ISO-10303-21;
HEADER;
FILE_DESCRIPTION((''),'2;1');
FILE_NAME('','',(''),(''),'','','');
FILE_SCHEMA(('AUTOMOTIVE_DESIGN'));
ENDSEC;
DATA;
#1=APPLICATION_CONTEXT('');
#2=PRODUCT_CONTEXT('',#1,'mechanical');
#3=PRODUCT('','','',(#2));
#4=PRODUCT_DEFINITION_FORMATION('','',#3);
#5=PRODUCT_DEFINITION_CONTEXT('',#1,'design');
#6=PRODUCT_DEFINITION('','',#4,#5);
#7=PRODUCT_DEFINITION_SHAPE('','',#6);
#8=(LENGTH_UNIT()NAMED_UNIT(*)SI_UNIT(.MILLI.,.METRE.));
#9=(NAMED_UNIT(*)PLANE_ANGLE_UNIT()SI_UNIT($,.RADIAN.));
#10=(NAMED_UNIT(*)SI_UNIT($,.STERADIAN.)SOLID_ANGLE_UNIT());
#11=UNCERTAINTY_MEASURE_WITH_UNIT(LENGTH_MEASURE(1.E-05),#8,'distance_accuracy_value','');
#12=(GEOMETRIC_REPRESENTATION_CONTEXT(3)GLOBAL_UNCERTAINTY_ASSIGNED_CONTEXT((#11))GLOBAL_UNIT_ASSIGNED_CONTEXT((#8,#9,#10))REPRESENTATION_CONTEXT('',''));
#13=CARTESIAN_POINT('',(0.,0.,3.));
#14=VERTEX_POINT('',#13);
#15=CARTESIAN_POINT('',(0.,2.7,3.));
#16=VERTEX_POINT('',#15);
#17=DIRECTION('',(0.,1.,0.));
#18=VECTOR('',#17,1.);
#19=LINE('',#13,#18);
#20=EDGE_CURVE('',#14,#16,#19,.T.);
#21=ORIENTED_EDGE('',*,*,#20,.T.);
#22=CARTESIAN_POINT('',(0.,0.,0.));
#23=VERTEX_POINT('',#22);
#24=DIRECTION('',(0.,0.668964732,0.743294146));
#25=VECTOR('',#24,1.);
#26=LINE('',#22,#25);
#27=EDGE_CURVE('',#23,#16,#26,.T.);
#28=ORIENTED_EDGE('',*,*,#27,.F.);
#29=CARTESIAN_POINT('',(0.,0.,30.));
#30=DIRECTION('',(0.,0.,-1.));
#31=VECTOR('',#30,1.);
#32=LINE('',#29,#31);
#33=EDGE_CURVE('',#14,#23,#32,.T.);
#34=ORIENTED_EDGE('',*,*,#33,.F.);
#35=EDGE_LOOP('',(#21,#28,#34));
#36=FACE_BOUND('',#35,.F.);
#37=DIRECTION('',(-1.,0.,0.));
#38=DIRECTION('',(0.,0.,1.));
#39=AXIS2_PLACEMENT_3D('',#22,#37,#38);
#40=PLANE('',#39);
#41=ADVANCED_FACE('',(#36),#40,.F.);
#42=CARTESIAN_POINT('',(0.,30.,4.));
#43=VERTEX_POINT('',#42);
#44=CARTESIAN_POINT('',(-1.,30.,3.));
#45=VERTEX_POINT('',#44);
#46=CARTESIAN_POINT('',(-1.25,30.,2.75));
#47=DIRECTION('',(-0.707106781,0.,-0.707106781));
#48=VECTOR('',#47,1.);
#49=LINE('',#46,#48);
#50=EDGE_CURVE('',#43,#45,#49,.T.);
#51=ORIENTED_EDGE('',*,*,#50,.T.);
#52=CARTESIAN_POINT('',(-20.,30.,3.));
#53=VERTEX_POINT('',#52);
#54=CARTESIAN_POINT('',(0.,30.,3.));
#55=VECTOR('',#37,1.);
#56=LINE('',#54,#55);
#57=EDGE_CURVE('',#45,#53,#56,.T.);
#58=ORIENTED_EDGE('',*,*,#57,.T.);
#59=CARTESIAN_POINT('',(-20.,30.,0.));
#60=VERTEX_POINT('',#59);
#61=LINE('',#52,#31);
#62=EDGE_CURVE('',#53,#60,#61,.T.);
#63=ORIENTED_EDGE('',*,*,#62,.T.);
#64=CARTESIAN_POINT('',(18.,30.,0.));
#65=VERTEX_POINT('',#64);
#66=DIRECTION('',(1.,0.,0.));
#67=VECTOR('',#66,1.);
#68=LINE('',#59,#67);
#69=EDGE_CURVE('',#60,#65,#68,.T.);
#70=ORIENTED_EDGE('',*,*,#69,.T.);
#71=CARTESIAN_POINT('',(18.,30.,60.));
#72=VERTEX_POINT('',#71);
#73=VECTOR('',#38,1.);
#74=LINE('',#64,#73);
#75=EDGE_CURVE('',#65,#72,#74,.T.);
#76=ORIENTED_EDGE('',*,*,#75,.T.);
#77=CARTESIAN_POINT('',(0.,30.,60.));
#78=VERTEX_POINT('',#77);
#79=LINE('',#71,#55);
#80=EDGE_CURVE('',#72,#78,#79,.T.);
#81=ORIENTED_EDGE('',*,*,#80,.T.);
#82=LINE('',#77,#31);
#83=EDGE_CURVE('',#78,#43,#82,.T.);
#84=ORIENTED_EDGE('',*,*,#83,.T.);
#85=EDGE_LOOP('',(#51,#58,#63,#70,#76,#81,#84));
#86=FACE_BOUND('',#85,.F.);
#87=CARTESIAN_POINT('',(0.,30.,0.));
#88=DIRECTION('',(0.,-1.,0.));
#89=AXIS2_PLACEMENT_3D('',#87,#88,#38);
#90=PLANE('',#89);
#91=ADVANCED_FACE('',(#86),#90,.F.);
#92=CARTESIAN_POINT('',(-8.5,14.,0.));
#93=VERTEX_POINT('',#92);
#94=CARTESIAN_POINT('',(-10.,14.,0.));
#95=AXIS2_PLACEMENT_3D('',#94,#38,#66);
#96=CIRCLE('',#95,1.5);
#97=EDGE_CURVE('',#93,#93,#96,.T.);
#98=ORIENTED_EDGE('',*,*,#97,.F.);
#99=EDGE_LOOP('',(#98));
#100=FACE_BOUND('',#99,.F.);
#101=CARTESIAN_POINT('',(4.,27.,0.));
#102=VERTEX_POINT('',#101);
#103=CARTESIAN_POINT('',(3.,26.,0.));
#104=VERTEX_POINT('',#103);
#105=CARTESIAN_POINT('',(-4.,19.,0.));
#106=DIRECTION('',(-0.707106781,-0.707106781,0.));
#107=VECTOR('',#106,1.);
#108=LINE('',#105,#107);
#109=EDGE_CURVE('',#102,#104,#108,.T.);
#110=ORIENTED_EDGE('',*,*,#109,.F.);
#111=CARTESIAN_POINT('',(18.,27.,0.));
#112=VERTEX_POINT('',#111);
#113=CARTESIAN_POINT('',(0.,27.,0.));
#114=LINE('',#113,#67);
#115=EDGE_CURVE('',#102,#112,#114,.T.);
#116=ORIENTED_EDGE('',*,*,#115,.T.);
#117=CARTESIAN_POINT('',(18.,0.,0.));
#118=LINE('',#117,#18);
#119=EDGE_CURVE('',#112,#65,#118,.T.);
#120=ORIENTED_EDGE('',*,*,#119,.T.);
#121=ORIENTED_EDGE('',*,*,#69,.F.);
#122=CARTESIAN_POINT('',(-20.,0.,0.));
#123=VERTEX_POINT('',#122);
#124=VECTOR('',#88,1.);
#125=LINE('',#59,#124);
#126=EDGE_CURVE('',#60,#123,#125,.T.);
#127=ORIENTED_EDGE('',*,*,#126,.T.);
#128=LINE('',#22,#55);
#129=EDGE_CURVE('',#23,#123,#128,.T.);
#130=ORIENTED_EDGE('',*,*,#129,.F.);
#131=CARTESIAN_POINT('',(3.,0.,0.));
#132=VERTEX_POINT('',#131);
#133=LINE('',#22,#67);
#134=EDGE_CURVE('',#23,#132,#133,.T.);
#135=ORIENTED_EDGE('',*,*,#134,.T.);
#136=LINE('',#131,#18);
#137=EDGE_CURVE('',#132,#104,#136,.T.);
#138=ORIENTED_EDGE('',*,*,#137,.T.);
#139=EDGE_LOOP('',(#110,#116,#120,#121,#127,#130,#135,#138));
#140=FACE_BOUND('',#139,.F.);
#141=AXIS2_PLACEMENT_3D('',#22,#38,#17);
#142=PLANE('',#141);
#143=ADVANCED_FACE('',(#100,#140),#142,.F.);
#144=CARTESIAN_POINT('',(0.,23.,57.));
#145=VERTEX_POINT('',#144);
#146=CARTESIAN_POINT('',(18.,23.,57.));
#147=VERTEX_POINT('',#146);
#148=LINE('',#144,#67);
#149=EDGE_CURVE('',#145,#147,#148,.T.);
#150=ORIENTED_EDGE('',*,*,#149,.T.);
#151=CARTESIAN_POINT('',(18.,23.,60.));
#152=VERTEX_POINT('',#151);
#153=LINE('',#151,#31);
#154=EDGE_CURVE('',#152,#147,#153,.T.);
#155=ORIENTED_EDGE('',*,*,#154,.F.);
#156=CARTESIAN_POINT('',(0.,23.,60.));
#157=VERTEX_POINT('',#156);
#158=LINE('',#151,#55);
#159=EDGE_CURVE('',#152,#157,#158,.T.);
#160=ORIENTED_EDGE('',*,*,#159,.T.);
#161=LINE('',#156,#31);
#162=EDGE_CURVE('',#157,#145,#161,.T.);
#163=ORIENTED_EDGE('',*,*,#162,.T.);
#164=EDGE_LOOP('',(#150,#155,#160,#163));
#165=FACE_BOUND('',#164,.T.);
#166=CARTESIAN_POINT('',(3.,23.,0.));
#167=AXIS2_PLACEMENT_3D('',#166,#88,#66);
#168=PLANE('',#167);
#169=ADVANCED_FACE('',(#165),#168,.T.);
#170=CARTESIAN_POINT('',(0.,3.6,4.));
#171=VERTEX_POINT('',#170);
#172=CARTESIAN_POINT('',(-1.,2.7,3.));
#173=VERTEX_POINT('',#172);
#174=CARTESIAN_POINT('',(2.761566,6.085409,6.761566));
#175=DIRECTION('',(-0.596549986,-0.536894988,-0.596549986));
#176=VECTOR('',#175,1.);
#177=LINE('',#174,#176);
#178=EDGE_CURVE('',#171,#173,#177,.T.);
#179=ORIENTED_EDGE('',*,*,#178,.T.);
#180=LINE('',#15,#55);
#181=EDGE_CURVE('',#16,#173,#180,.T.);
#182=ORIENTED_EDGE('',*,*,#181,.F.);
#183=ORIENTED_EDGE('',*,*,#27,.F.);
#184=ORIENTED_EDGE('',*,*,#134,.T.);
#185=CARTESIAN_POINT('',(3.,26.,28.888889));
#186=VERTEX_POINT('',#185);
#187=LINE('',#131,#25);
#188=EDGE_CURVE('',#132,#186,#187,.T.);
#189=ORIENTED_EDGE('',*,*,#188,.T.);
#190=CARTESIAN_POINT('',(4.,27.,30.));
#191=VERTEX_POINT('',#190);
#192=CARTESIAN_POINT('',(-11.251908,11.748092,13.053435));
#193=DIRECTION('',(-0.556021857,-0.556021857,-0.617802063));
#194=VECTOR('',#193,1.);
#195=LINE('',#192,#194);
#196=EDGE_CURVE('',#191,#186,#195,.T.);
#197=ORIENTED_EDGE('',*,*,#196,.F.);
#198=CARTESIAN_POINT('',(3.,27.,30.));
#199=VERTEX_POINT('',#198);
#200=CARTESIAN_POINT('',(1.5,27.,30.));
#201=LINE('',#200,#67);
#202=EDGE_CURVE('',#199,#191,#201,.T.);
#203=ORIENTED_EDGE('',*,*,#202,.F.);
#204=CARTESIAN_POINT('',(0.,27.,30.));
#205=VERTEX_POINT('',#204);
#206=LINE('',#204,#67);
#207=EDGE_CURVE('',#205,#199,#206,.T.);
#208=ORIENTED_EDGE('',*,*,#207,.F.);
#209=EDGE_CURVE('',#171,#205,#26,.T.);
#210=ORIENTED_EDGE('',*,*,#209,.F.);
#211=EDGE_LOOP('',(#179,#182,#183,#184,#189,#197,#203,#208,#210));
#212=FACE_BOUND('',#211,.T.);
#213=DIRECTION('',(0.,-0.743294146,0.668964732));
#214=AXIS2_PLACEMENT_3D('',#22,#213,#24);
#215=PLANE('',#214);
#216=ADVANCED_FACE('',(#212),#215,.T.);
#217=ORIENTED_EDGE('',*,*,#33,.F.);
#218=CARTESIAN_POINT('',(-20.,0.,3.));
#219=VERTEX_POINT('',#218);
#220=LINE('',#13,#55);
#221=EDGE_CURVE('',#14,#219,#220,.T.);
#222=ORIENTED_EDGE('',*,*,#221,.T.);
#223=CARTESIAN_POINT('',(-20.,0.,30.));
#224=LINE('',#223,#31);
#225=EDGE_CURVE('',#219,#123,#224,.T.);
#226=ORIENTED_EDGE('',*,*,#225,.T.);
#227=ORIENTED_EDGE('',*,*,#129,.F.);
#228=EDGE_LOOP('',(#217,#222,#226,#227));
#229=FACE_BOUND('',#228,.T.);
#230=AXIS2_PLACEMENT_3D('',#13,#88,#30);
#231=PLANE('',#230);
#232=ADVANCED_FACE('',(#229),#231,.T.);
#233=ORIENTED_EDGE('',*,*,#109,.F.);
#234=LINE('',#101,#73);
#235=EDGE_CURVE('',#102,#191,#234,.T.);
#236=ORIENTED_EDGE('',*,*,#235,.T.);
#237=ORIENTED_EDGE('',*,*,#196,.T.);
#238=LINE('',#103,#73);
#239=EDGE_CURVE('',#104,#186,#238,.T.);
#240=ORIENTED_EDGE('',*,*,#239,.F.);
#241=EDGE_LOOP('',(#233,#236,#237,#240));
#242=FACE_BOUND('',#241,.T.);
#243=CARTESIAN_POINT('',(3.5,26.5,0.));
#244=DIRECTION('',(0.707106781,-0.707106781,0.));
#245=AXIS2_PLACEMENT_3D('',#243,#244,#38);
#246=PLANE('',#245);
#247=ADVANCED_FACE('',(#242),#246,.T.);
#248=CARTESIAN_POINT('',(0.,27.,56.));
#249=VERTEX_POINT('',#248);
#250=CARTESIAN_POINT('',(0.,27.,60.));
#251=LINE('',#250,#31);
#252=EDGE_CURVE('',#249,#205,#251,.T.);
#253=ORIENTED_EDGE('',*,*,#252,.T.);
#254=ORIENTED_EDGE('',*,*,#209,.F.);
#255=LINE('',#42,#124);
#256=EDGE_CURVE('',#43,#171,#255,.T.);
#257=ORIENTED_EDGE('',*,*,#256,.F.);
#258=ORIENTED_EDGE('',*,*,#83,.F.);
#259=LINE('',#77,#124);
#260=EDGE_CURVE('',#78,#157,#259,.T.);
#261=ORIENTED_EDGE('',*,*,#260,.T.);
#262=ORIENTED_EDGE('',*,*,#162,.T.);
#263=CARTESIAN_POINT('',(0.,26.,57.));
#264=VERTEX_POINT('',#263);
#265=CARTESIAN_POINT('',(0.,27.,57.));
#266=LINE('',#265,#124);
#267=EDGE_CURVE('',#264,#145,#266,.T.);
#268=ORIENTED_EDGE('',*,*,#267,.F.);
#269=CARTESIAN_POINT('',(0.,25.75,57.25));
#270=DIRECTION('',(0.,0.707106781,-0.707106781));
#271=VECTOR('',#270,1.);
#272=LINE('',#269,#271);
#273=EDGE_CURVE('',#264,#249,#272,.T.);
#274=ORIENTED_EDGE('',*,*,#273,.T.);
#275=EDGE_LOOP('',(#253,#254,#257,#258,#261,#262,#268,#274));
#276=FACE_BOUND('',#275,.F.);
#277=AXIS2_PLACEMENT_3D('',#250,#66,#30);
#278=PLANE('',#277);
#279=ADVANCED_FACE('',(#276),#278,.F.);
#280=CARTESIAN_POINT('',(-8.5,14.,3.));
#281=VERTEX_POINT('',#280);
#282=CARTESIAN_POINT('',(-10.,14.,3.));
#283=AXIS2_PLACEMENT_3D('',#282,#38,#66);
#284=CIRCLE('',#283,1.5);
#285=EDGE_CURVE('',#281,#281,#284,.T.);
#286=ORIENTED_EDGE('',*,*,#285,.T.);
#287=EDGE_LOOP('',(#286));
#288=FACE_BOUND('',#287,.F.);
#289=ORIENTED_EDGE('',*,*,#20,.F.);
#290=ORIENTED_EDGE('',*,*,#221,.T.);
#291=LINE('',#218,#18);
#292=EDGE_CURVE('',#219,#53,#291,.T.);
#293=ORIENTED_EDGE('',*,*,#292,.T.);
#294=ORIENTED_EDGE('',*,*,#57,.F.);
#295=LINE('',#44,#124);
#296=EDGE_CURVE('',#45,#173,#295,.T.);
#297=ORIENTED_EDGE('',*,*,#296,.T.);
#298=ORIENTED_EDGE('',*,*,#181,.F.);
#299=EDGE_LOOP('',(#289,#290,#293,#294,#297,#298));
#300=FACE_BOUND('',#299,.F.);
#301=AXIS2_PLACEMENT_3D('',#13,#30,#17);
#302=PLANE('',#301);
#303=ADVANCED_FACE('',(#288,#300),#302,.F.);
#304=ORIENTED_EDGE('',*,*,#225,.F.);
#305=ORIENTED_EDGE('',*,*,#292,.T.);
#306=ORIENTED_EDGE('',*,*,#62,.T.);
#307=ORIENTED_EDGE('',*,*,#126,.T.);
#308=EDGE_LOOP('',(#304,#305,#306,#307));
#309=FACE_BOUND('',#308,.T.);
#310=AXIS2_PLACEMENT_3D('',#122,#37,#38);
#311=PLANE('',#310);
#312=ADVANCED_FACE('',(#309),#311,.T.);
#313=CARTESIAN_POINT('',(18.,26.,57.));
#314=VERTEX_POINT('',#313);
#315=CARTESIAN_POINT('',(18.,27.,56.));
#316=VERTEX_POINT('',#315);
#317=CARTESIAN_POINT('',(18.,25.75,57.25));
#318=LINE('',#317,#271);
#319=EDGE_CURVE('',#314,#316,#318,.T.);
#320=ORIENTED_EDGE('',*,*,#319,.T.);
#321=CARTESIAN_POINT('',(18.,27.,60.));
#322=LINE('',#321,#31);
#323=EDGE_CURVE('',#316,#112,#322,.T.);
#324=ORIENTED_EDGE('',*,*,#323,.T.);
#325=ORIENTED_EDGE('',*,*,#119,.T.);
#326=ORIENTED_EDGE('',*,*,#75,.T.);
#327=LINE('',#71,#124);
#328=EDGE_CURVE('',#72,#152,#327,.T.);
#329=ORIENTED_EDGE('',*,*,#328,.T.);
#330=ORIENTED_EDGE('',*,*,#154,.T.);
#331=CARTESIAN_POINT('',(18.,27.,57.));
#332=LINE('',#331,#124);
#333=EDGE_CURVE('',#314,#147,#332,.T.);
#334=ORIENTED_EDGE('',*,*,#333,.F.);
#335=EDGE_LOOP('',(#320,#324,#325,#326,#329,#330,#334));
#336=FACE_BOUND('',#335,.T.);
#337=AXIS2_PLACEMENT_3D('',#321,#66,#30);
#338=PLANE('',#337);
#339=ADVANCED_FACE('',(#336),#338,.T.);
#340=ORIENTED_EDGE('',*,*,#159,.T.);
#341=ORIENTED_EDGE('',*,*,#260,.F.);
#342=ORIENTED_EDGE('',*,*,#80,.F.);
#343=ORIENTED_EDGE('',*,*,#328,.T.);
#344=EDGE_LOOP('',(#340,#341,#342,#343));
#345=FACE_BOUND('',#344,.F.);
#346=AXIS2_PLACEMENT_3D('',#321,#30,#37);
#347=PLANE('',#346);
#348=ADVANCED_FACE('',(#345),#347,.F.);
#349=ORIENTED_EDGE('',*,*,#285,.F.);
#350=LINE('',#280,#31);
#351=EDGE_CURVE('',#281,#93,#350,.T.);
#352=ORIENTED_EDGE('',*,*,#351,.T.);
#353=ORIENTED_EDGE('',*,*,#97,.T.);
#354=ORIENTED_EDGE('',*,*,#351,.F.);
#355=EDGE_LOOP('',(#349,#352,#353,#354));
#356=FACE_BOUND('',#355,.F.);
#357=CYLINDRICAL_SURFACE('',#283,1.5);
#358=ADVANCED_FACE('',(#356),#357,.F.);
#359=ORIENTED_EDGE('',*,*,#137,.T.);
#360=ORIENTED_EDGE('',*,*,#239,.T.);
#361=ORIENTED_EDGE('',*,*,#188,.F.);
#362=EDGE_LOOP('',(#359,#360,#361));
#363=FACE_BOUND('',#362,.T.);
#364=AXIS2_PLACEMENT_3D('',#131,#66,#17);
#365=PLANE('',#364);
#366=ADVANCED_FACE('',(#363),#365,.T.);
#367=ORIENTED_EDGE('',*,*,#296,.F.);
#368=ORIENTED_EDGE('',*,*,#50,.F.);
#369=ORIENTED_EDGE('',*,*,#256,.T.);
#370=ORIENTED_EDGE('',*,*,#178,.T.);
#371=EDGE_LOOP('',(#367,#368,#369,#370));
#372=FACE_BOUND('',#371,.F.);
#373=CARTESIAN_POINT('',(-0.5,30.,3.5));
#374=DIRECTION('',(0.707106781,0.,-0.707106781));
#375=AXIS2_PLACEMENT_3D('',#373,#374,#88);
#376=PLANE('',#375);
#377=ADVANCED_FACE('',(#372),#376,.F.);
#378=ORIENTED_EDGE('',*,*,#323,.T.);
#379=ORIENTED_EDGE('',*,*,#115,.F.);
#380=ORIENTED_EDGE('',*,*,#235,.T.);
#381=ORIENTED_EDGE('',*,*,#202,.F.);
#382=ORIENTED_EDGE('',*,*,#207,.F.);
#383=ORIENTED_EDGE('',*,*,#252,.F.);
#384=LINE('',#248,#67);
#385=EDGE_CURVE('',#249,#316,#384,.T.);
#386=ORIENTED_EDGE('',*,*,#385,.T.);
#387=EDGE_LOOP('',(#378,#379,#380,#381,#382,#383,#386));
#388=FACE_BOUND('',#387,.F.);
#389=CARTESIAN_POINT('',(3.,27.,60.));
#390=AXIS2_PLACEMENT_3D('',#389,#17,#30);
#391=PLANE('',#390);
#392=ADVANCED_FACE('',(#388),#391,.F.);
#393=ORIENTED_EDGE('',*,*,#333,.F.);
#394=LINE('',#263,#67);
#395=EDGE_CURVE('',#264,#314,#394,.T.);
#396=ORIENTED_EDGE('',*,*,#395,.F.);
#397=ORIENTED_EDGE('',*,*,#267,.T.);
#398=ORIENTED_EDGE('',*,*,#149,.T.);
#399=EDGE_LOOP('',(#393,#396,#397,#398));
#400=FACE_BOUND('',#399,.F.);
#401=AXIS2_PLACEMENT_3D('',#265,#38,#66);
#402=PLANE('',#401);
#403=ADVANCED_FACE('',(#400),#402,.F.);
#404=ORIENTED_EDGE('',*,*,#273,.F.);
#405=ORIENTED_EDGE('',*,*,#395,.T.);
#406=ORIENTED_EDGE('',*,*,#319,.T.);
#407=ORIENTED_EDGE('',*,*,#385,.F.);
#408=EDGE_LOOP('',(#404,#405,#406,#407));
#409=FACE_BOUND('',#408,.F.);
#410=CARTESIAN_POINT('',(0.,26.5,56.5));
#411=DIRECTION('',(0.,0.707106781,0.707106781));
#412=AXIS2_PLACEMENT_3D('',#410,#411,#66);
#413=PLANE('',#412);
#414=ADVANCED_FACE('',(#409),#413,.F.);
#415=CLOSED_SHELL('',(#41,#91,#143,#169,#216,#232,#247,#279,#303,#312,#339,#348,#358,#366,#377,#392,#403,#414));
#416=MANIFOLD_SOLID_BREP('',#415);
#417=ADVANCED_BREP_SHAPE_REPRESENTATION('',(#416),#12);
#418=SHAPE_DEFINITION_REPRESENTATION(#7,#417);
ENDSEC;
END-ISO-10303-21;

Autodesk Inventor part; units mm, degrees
ref_plane "YZ Plane" through (0, 0, 0) normal (1, 0, 0) x (0, 1, 0)
ref_plane "XZ Plane" through (0, 0, 0) normal (0, 1, 0) x (-1, 0, 0)
ref_plane "XY Plane" through (0, 0, 0) normal (0, 0, 1) x (1, 0, 0)
sketch "Sketch1" plane through (0, 0, 0) normal (1, 0, 0) x (0, 1, 0)
  line L0 (0, 0) -> (30, 0)
  line L1 (30, 0) -> (30, 30)
  line L2 (30, 30) -> (0, 30)
  line L3 (0, 30) -> (0, 0)
  line L4 (0, 0) -> (27, 30)
  dimension "d0" = 30
  dimension "d1" = 30
  dimension "d24" = 3
extrude "Extrusion1" add sketch "Sketch1" along normal blind 3 contours L4 L2 L1 L0
sketch "Sketch2" plane through (0, 0, 0) normal (-1, 0, 0) x (0, 0, 1)
  line L0 (30, 0) -> (0, 0) projected
  line L1 (0, 0) -> (3, 0)
  line L2 (3, 0) -> (3, 30)
  line L3 (3, 30) -> (0, 30)
  line L4 (0, 30) -> (0, 0)
  line L5 (0, 30) -> (30, 30) projected
  dimension "d4" = 3
extrude "Extrusion2" add sketch "Sketch2" along normal blind 20
sketch "Sketch3" plane through (0, 0, 3) normal (0, 0, 1) x (1, 0, 0)
  circle A0 centre (-10, 14) radius 1.5
  line L0 (0, 30) -> (-20, 30) projected
  line L1 (0, 0) -> (-20, 0) projected
  line L2 (-20, 0) -> (-20, 30) projected
  line L3 (0, 30) -> (0, 0) projected
  dimension "d7" = 3
  dimension "d8" = 16
  dimension "d10" = 10
  dimension "d11" = 10
extrude "Extrusion3" cut sketch "Sketch3" against normal through all contours A0
sketch "Sketch4" plane through (3, 0, 0) normal (1, 0, 0) x (0, 0, -1)
  line L0 (0, 0) -> (0, 30) projected
  line L1 (0, 30) -> (-60, 30)
  line L2 (-60, 30) -> (-60, 27)
  line L3 (-60, 27) -> (0, 27)
  line L4 (0, 27) -> (0, 30)
  point P0 (0, 27)
  dimension "d17" = 3
  dimension "d18" = 60
extrude "Extrusion4" add sketch "Sketch4" along normal blind 15 and the other way blind 3
sketch "Sketch5" plane through (3, 27, 0) normal (0, -1, 0) x (1, 0, 0)
  line L0 (15, 60) -> (15, 0) projected
  line L1 (15, 60) -> (-3, 60)
  line L2 (-3, 60) -> (-3, 57)
  line L3 (-3, 57) -> (15, 57)
  line L4 (15, 57) -> (15, 60)
  line L5 (-3, 30) -> (-3, 60) projected
  point P0 (-3, 0)
  dimension "d21" = 3
extrude "Extrusion5" add sketch "Sketch5" along normal blind 4
chamfer "Chamfer1" distance 1 angle 45 3 edges at (3, 27, 15) (0, 16.35, 3) (9, 27, 57)
equation "\"d10\" = d11"
properties part number "inside bracket"
